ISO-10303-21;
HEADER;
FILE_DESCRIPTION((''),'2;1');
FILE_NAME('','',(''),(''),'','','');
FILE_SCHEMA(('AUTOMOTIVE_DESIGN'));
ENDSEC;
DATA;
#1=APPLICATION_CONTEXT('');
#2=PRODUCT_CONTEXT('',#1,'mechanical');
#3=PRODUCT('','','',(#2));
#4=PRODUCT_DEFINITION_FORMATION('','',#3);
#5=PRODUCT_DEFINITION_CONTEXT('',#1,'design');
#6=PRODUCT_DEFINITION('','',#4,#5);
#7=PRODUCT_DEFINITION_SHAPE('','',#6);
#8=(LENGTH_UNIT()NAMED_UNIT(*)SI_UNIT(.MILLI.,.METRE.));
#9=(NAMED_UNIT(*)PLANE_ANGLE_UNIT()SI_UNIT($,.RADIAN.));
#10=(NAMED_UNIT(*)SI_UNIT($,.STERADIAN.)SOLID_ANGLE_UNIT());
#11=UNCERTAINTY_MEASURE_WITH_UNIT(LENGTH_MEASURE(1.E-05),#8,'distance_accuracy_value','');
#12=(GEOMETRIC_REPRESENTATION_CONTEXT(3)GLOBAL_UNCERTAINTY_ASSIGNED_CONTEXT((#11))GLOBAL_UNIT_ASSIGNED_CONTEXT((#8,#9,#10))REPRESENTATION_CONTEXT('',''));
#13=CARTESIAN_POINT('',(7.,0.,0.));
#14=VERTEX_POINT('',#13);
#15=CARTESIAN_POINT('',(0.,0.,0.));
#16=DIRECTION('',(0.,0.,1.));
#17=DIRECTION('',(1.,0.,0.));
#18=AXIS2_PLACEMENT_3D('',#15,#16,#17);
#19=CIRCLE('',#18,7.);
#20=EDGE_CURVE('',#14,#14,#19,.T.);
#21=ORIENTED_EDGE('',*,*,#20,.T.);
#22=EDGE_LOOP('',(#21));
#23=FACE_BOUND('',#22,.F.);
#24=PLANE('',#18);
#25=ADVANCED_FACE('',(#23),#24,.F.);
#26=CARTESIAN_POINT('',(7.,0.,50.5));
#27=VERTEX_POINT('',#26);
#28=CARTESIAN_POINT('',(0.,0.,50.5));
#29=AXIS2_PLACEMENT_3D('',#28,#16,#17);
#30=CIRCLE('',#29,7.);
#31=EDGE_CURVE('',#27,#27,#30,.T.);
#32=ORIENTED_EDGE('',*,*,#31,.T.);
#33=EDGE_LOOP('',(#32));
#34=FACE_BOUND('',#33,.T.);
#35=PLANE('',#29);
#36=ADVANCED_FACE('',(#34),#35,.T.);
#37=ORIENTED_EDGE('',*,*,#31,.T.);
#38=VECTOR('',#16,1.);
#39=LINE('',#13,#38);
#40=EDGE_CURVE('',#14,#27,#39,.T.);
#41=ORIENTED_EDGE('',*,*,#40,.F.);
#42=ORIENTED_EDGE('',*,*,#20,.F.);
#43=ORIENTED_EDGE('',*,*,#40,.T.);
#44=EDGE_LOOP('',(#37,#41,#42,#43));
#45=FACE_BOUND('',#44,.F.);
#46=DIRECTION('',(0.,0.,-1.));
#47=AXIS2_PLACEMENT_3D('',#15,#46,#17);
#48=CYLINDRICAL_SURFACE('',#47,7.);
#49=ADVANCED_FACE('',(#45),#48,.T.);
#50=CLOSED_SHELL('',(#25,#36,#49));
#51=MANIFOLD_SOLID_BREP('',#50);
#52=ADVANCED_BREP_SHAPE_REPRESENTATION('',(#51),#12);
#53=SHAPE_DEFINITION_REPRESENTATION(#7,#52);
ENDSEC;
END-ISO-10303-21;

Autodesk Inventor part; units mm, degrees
ref_plane "YZ Plane" through (0, 0, 0) normal (1, 0, 0) x (0, 1, 0)
ref_plane "XZ Plane" through (0, 0, 0) normal (0, 1, 0) x (-1, 0, 0)
ref_plane "XY Plane" through (0, 0, 0) normal (0, 0, 1) x (1, 0, 0)
sketch "スケッチ1" plane through (0, 0, 0) normal (0, 0, 1) x (1, 0, 0)
  circle A0 centre (0, 0) radius 7
  dimension "d0" = 14
extrude "押し出し1" add sketch "スケッチ1" along normal blind 50.5
properties part number "AA_battery"
